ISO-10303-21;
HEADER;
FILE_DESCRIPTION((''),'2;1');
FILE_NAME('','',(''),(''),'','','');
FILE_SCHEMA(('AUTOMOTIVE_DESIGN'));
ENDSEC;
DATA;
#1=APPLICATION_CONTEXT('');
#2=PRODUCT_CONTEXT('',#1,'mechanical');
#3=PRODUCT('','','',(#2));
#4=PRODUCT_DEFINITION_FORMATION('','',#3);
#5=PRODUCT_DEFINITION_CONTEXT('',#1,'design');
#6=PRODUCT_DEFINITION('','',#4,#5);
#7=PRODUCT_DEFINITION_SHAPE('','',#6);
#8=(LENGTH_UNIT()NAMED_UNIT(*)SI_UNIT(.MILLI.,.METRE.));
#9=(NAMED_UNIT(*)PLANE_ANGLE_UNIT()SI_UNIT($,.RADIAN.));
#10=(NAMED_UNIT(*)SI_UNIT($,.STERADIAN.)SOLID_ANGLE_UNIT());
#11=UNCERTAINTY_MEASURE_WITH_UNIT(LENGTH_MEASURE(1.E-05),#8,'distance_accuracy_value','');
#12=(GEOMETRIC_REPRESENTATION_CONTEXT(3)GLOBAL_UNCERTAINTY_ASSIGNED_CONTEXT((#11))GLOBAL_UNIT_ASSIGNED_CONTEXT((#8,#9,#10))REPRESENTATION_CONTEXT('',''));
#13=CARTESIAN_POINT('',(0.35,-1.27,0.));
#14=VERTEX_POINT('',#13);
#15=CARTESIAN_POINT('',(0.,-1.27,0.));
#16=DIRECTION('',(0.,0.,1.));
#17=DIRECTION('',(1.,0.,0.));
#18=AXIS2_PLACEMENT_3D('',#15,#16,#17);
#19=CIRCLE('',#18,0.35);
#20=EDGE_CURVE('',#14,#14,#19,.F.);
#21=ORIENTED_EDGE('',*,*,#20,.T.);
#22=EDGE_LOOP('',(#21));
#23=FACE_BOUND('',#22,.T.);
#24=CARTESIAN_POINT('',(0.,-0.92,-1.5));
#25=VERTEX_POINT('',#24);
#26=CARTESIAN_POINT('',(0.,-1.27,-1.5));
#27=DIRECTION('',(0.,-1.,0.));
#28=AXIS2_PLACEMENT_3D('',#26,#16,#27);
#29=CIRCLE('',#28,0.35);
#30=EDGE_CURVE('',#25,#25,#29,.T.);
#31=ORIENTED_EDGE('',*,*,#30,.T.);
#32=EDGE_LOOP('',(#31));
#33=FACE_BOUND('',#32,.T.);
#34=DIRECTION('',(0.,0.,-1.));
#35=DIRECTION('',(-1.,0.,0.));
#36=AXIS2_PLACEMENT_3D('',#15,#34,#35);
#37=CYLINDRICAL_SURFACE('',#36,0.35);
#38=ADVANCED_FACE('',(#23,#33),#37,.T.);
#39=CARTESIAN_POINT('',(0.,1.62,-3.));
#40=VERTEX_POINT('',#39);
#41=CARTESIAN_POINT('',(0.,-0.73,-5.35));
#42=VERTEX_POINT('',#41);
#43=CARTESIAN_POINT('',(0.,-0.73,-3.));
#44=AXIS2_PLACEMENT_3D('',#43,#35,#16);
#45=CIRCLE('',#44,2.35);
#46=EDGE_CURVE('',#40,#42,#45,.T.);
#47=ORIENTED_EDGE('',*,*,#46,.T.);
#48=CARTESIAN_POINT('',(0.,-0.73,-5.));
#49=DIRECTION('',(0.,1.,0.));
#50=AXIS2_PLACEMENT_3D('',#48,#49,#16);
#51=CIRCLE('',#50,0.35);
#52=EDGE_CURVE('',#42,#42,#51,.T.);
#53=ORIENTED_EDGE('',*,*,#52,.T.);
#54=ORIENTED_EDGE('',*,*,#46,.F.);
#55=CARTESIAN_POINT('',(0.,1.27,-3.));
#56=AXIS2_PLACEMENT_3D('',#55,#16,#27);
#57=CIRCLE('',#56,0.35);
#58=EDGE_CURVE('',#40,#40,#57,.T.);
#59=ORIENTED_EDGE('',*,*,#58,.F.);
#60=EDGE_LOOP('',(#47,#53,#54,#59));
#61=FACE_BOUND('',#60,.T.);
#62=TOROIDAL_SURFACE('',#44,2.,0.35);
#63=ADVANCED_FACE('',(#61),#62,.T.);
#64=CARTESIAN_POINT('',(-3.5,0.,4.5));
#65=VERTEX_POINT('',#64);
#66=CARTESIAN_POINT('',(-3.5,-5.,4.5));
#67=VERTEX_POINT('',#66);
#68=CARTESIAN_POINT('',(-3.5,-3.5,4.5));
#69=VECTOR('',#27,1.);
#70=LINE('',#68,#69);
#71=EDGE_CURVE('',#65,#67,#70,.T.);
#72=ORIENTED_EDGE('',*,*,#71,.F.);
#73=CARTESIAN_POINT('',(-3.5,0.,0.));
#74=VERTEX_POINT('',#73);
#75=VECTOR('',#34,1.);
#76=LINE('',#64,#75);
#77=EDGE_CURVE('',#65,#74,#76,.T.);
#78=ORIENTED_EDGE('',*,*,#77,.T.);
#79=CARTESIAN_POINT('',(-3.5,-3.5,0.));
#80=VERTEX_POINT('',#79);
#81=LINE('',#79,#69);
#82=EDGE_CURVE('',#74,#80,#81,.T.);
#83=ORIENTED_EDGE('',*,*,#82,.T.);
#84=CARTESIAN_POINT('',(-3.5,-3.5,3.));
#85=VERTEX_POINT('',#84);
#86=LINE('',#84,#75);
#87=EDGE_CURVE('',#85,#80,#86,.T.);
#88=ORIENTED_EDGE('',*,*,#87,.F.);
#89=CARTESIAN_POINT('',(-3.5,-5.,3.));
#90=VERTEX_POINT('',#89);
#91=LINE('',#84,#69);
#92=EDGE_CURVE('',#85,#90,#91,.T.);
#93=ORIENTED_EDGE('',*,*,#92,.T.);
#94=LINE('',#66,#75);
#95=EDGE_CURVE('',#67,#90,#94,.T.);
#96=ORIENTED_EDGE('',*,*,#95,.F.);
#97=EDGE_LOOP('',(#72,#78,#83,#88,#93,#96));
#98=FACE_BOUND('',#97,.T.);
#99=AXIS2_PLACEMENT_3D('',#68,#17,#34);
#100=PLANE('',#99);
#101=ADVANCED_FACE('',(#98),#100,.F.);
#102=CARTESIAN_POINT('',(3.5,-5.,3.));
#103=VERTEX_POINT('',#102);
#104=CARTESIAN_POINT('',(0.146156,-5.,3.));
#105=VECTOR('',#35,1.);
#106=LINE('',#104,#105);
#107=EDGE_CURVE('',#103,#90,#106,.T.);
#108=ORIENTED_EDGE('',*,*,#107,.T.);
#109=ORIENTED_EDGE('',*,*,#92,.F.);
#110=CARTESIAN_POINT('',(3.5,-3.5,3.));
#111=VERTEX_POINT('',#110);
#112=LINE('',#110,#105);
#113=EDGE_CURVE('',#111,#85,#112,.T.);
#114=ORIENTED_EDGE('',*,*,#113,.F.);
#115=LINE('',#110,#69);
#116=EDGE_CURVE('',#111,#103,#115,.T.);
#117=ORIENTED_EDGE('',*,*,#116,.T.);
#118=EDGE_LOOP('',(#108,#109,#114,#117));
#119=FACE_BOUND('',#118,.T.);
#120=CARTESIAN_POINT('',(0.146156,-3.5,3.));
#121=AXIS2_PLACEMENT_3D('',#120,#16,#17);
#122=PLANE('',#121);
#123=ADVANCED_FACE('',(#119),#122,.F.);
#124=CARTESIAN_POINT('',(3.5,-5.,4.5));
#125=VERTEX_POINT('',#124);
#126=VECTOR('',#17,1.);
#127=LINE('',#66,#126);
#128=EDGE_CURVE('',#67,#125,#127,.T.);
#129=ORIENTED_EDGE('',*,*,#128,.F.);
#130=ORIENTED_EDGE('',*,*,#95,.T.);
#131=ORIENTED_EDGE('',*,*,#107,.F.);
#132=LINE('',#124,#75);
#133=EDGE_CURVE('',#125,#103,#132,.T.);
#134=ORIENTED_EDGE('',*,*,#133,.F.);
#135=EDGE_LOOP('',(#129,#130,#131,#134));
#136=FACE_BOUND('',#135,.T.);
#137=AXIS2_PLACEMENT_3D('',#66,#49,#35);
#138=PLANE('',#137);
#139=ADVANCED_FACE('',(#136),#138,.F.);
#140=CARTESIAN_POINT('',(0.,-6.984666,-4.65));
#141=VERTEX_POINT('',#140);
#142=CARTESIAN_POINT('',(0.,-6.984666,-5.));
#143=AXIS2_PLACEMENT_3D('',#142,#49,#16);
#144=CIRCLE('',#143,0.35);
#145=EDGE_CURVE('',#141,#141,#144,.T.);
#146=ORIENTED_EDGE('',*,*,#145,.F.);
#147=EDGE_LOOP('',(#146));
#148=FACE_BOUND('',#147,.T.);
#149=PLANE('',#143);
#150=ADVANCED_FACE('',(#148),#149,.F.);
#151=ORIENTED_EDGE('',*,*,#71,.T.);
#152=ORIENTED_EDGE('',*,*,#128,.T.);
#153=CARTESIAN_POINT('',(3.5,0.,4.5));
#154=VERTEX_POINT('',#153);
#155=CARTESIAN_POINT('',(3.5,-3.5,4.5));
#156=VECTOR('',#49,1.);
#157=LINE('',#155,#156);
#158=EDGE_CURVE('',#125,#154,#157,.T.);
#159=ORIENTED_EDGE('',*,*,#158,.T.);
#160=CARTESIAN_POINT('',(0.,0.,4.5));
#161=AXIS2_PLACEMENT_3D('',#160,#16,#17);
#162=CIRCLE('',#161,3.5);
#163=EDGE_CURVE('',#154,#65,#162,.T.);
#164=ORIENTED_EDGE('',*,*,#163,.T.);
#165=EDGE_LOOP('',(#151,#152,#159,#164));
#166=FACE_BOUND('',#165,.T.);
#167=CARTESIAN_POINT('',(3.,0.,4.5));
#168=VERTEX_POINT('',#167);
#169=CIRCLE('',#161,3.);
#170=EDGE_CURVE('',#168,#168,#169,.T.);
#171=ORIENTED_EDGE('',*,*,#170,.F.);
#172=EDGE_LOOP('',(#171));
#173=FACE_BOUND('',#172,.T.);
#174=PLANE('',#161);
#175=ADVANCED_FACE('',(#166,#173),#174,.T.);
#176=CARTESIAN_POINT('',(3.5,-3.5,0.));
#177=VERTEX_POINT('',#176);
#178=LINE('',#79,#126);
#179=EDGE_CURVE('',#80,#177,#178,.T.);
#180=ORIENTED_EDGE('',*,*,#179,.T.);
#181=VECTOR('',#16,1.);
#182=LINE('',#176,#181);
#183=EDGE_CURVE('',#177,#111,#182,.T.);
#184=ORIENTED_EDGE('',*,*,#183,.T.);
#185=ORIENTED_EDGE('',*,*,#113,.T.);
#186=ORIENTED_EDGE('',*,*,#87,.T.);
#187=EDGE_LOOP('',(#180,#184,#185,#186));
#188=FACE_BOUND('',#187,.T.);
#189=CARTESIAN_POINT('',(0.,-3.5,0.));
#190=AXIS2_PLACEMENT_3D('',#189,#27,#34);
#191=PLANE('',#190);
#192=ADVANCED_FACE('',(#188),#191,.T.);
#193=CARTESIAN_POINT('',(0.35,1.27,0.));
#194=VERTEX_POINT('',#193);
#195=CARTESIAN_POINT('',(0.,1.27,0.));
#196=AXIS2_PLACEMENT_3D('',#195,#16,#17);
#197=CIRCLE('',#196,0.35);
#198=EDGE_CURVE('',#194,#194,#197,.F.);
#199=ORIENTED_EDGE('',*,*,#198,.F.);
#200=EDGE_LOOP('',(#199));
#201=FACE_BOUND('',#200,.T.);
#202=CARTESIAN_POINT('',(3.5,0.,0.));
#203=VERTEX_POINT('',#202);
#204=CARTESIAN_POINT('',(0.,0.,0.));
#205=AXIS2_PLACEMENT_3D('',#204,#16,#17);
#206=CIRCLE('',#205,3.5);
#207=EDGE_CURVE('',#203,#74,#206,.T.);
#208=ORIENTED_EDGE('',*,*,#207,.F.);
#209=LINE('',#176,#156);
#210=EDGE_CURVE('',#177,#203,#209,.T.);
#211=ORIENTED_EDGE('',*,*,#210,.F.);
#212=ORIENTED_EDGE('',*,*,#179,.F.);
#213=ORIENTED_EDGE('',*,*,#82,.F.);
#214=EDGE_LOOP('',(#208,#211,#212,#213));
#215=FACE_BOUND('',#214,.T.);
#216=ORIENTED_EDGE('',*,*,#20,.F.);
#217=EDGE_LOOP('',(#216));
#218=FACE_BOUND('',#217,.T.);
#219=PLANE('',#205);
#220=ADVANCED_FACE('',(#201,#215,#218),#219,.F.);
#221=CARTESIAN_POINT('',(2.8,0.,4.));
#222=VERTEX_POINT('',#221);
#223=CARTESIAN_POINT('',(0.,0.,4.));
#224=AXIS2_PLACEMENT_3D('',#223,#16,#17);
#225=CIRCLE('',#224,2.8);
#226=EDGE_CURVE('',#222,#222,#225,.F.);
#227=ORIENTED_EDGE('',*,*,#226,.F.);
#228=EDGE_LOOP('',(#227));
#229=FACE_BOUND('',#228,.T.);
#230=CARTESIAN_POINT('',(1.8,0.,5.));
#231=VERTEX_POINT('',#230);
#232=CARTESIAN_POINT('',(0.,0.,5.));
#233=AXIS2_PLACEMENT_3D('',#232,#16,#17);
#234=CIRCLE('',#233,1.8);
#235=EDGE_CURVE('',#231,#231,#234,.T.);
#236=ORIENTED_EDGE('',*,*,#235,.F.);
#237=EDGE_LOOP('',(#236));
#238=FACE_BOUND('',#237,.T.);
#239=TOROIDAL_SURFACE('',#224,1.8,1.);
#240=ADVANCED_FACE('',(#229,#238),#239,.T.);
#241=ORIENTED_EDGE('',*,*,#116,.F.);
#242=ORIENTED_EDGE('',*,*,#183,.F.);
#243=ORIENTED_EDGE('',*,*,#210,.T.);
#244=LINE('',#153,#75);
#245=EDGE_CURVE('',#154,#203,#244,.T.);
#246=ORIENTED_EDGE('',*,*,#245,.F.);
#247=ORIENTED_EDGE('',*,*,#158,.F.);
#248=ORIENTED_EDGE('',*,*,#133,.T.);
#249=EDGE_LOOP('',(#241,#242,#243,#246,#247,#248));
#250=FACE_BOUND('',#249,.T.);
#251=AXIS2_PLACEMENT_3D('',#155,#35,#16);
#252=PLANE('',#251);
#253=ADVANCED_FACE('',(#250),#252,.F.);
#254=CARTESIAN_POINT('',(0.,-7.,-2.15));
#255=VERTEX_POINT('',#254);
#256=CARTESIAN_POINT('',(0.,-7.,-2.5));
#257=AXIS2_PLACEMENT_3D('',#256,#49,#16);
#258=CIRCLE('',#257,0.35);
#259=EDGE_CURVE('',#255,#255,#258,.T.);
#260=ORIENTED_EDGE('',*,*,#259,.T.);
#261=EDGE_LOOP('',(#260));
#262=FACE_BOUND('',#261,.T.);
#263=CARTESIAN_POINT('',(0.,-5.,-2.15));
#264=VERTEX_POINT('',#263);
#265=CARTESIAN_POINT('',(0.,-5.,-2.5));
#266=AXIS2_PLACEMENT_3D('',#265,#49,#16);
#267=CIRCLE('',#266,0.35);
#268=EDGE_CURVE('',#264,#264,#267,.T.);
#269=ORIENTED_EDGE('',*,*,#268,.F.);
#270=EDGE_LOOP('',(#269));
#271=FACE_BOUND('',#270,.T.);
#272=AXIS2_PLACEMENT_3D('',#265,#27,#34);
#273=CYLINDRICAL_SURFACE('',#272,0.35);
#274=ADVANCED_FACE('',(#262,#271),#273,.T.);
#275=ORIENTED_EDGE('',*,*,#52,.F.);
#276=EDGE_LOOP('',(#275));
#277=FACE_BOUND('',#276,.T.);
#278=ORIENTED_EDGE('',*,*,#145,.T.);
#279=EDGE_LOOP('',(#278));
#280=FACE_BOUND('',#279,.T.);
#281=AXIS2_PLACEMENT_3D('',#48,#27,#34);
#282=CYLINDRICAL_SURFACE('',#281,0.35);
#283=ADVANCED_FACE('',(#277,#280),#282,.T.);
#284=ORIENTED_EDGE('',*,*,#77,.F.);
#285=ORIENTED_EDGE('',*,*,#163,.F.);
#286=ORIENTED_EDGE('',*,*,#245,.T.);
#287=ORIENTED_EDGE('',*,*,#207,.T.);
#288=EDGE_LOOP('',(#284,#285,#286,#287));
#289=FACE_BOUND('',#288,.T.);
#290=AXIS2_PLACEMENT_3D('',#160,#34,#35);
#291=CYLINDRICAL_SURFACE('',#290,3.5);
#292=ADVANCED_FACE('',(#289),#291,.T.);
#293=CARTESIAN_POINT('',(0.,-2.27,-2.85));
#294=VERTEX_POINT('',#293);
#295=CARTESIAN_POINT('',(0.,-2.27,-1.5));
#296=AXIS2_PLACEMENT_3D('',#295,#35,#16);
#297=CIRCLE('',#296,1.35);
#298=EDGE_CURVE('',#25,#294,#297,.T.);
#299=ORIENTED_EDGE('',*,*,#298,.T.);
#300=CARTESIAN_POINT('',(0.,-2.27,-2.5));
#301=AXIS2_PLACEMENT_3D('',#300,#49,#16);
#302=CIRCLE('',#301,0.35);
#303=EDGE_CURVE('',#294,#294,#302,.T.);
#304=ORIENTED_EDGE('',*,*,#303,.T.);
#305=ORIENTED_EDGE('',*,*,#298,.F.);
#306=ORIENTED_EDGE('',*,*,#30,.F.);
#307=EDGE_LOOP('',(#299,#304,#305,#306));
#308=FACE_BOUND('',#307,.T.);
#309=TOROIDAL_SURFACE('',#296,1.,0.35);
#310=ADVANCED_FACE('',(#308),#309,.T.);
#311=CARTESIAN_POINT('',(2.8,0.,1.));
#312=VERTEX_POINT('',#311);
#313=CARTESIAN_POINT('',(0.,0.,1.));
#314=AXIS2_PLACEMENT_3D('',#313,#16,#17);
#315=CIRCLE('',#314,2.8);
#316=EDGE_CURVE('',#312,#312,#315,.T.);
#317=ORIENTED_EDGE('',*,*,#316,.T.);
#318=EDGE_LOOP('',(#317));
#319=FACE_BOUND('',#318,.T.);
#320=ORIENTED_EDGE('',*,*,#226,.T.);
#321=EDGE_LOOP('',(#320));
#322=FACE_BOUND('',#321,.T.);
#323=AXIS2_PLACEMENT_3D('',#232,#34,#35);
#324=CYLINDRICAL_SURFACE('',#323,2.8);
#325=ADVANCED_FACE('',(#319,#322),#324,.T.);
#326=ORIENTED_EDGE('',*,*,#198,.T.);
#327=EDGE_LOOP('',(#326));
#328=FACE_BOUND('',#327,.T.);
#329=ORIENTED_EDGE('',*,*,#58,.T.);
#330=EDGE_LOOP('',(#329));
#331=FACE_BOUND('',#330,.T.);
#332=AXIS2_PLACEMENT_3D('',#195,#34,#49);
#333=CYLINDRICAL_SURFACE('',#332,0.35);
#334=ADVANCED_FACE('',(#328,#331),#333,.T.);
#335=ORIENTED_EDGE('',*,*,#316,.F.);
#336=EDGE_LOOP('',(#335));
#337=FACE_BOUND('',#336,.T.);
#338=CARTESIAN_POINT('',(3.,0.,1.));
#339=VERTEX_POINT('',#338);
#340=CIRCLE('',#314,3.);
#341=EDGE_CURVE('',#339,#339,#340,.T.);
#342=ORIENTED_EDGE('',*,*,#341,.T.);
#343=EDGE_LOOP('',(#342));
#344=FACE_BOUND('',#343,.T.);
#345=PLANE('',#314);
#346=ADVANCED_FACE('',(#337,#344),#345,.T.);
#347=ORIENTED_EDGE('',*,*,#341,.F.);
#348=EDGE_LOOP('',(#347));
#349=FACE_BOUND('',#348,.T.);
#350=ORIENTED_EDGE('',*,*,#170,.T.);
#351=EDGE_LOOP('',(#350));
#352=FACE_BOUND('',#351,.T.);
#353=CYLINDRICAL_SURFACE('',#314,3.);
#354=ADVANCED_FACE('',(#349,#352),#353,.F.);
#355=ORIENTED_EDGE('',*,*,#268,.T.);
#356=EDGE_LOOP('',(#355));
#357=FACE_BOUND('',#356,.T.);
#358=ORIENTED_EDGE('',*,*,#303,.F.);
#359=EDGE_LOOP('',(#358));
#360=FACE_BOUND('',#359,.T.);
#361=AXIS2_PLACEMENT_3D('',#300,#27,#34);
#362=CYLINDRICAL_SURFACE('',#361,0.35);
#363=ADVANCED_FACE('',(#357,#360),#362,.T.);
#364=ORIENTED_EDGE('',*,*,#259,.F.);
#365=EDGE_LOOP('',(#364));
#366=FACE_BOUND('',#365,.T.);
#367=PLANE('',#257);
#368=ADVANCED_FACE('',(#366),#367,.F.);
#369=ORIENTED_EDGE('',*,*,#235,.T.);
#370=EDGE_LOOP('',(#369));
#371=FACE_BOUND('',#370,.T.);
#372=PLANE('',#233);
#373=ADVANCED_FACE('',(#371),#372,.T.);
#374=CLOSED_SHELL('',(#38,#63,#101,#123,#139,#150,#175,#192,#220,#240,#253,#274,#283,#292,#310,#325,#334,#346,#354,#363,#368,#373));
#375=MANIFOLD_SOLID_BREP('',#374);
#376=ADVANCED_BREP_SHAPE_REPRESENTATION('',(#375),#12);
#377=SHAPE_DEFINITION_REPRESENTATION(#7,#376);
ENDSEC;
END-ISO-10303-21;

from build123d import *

# Parameters (mm, degrees)
EXTRUDE_2_DEPTH     = 4.5
SKETCH_2_R          = 3
CUT_EXTRUDE_1_DEPTH = 3.5
SKETCH_3_R          = 2.8
EXTRUDE_3_DEPTH     = 4
CUT_EXTRUDE_2_DEPTH = 1.5
SWEEP_2_PROFILE_R   = 0.35
SWEEP_3_PROFILE_R   = 0.35
FILLET_1_R          = 1


with BuildPart() as part:
    # Эскиз1 → Бобышка-Вытянуть2 (new body)
    with BuildSketch(Plane.XY):
        with BuildLine():
            Line((-3.5, -3.5), (-3.5, 0))
            ThreePointArc((-3.5, 0), (0, 3.5), (3.5, 0))
            Line((3.5, 0), (3.5, -3.5))
            Line((3.5, -3.5), (3.5, -5))
            Line((3.5, -5), (-3.5, -5))
            Line((-3.5, -5), (-3.5, -3.5))
        make_face()
    extrude(amount=EXTRUDE_2_DEPTH)

    # Эскиз2 → Вырез-Вытянуть1 (cut)
    with BuildSketch(Plane.XY.offset(4.5)):
        Circle(SKETCH_2_R)
    extrude(amount=-CUT_EXTRUDE_1_DEPTH, mode=Mode.SUBTRACT)

    # Эскиз3 → Бобышка-Вытянуть3 (add)
    with BuildSketch(Plane.XY.offset(1)):
        Circle(SKETCH_3_R)
    extrude(amount=EXTRUDE_3_DEPTH)

    # Эскиз4 → Вырез-Вытянуть2 (cut)
    with BuildSketch(Plane.XZ.offset(5)):
        Polygon((0.146156233, 3), (-3.5, 3), (-3.5, 0), (3.5, 0), (3.5, 3), align=None)
    extrude(amount=-CUT_EXTRUDE_2_DEPTH, mode=Mode.SUBTRACT)

    # По траектории2: sweep along a path in Эскиз6
    with BuildLine(Plane.ZY) as sweep_2_path:
        Line((0, -1.27), (-1.5, -1.27))
        ThreePointArc((-1.5, -1.27), (-2.207106781, -1.562893219), (-2.5, -2.27))
        Line((-2.5, -2.27), (-2.5, -5))
        Line((-2.5, -5), (-2.5, -7))
    # По траектории2 profile (on start of the path) → По траектории2 (sweep)
    with BuildSketch(Plane(origin=(0, -1.27, 0), x_dir=(-1, 0, 0), z_dir=(0, 0, -1))):
        Circle(SWEEP_2_PROFILE_R)
    sweep(path=sweep_2_path.line)

    # По траектории3: sweep along a path in Эскиз107
    with BuildLine(Plane.ZY) as sweep_3_path:
        Line((0, 1.27), (-3, 1.27))
        ThreePointArc((-3, 1.27), (-4.414213562, 0.684213562), (-5, -0.73))
        Line((-5, -0.73), (-5, -6.984666466))
    # По траектории3 profile (on start of the path) → По траектории3 (sweep)
    with BuildSketch(Plane(origin=(0, 1.27, 0), x_dir=(0, -1, 0), z_dir=(0, 0, -1))):
        Circle(SWEEP_3_PROFILE_R)
    sweep(path=sweep_3_path.line)

    # Скругление1
    fillet_1_edges = [part.edges().sort_by_distance(p)[0] for p in [
        (-2.8, 0, 5),
    ]]
    fillet(fillet_1_edges, radius=FILLET_1_R)


solid = part.part
